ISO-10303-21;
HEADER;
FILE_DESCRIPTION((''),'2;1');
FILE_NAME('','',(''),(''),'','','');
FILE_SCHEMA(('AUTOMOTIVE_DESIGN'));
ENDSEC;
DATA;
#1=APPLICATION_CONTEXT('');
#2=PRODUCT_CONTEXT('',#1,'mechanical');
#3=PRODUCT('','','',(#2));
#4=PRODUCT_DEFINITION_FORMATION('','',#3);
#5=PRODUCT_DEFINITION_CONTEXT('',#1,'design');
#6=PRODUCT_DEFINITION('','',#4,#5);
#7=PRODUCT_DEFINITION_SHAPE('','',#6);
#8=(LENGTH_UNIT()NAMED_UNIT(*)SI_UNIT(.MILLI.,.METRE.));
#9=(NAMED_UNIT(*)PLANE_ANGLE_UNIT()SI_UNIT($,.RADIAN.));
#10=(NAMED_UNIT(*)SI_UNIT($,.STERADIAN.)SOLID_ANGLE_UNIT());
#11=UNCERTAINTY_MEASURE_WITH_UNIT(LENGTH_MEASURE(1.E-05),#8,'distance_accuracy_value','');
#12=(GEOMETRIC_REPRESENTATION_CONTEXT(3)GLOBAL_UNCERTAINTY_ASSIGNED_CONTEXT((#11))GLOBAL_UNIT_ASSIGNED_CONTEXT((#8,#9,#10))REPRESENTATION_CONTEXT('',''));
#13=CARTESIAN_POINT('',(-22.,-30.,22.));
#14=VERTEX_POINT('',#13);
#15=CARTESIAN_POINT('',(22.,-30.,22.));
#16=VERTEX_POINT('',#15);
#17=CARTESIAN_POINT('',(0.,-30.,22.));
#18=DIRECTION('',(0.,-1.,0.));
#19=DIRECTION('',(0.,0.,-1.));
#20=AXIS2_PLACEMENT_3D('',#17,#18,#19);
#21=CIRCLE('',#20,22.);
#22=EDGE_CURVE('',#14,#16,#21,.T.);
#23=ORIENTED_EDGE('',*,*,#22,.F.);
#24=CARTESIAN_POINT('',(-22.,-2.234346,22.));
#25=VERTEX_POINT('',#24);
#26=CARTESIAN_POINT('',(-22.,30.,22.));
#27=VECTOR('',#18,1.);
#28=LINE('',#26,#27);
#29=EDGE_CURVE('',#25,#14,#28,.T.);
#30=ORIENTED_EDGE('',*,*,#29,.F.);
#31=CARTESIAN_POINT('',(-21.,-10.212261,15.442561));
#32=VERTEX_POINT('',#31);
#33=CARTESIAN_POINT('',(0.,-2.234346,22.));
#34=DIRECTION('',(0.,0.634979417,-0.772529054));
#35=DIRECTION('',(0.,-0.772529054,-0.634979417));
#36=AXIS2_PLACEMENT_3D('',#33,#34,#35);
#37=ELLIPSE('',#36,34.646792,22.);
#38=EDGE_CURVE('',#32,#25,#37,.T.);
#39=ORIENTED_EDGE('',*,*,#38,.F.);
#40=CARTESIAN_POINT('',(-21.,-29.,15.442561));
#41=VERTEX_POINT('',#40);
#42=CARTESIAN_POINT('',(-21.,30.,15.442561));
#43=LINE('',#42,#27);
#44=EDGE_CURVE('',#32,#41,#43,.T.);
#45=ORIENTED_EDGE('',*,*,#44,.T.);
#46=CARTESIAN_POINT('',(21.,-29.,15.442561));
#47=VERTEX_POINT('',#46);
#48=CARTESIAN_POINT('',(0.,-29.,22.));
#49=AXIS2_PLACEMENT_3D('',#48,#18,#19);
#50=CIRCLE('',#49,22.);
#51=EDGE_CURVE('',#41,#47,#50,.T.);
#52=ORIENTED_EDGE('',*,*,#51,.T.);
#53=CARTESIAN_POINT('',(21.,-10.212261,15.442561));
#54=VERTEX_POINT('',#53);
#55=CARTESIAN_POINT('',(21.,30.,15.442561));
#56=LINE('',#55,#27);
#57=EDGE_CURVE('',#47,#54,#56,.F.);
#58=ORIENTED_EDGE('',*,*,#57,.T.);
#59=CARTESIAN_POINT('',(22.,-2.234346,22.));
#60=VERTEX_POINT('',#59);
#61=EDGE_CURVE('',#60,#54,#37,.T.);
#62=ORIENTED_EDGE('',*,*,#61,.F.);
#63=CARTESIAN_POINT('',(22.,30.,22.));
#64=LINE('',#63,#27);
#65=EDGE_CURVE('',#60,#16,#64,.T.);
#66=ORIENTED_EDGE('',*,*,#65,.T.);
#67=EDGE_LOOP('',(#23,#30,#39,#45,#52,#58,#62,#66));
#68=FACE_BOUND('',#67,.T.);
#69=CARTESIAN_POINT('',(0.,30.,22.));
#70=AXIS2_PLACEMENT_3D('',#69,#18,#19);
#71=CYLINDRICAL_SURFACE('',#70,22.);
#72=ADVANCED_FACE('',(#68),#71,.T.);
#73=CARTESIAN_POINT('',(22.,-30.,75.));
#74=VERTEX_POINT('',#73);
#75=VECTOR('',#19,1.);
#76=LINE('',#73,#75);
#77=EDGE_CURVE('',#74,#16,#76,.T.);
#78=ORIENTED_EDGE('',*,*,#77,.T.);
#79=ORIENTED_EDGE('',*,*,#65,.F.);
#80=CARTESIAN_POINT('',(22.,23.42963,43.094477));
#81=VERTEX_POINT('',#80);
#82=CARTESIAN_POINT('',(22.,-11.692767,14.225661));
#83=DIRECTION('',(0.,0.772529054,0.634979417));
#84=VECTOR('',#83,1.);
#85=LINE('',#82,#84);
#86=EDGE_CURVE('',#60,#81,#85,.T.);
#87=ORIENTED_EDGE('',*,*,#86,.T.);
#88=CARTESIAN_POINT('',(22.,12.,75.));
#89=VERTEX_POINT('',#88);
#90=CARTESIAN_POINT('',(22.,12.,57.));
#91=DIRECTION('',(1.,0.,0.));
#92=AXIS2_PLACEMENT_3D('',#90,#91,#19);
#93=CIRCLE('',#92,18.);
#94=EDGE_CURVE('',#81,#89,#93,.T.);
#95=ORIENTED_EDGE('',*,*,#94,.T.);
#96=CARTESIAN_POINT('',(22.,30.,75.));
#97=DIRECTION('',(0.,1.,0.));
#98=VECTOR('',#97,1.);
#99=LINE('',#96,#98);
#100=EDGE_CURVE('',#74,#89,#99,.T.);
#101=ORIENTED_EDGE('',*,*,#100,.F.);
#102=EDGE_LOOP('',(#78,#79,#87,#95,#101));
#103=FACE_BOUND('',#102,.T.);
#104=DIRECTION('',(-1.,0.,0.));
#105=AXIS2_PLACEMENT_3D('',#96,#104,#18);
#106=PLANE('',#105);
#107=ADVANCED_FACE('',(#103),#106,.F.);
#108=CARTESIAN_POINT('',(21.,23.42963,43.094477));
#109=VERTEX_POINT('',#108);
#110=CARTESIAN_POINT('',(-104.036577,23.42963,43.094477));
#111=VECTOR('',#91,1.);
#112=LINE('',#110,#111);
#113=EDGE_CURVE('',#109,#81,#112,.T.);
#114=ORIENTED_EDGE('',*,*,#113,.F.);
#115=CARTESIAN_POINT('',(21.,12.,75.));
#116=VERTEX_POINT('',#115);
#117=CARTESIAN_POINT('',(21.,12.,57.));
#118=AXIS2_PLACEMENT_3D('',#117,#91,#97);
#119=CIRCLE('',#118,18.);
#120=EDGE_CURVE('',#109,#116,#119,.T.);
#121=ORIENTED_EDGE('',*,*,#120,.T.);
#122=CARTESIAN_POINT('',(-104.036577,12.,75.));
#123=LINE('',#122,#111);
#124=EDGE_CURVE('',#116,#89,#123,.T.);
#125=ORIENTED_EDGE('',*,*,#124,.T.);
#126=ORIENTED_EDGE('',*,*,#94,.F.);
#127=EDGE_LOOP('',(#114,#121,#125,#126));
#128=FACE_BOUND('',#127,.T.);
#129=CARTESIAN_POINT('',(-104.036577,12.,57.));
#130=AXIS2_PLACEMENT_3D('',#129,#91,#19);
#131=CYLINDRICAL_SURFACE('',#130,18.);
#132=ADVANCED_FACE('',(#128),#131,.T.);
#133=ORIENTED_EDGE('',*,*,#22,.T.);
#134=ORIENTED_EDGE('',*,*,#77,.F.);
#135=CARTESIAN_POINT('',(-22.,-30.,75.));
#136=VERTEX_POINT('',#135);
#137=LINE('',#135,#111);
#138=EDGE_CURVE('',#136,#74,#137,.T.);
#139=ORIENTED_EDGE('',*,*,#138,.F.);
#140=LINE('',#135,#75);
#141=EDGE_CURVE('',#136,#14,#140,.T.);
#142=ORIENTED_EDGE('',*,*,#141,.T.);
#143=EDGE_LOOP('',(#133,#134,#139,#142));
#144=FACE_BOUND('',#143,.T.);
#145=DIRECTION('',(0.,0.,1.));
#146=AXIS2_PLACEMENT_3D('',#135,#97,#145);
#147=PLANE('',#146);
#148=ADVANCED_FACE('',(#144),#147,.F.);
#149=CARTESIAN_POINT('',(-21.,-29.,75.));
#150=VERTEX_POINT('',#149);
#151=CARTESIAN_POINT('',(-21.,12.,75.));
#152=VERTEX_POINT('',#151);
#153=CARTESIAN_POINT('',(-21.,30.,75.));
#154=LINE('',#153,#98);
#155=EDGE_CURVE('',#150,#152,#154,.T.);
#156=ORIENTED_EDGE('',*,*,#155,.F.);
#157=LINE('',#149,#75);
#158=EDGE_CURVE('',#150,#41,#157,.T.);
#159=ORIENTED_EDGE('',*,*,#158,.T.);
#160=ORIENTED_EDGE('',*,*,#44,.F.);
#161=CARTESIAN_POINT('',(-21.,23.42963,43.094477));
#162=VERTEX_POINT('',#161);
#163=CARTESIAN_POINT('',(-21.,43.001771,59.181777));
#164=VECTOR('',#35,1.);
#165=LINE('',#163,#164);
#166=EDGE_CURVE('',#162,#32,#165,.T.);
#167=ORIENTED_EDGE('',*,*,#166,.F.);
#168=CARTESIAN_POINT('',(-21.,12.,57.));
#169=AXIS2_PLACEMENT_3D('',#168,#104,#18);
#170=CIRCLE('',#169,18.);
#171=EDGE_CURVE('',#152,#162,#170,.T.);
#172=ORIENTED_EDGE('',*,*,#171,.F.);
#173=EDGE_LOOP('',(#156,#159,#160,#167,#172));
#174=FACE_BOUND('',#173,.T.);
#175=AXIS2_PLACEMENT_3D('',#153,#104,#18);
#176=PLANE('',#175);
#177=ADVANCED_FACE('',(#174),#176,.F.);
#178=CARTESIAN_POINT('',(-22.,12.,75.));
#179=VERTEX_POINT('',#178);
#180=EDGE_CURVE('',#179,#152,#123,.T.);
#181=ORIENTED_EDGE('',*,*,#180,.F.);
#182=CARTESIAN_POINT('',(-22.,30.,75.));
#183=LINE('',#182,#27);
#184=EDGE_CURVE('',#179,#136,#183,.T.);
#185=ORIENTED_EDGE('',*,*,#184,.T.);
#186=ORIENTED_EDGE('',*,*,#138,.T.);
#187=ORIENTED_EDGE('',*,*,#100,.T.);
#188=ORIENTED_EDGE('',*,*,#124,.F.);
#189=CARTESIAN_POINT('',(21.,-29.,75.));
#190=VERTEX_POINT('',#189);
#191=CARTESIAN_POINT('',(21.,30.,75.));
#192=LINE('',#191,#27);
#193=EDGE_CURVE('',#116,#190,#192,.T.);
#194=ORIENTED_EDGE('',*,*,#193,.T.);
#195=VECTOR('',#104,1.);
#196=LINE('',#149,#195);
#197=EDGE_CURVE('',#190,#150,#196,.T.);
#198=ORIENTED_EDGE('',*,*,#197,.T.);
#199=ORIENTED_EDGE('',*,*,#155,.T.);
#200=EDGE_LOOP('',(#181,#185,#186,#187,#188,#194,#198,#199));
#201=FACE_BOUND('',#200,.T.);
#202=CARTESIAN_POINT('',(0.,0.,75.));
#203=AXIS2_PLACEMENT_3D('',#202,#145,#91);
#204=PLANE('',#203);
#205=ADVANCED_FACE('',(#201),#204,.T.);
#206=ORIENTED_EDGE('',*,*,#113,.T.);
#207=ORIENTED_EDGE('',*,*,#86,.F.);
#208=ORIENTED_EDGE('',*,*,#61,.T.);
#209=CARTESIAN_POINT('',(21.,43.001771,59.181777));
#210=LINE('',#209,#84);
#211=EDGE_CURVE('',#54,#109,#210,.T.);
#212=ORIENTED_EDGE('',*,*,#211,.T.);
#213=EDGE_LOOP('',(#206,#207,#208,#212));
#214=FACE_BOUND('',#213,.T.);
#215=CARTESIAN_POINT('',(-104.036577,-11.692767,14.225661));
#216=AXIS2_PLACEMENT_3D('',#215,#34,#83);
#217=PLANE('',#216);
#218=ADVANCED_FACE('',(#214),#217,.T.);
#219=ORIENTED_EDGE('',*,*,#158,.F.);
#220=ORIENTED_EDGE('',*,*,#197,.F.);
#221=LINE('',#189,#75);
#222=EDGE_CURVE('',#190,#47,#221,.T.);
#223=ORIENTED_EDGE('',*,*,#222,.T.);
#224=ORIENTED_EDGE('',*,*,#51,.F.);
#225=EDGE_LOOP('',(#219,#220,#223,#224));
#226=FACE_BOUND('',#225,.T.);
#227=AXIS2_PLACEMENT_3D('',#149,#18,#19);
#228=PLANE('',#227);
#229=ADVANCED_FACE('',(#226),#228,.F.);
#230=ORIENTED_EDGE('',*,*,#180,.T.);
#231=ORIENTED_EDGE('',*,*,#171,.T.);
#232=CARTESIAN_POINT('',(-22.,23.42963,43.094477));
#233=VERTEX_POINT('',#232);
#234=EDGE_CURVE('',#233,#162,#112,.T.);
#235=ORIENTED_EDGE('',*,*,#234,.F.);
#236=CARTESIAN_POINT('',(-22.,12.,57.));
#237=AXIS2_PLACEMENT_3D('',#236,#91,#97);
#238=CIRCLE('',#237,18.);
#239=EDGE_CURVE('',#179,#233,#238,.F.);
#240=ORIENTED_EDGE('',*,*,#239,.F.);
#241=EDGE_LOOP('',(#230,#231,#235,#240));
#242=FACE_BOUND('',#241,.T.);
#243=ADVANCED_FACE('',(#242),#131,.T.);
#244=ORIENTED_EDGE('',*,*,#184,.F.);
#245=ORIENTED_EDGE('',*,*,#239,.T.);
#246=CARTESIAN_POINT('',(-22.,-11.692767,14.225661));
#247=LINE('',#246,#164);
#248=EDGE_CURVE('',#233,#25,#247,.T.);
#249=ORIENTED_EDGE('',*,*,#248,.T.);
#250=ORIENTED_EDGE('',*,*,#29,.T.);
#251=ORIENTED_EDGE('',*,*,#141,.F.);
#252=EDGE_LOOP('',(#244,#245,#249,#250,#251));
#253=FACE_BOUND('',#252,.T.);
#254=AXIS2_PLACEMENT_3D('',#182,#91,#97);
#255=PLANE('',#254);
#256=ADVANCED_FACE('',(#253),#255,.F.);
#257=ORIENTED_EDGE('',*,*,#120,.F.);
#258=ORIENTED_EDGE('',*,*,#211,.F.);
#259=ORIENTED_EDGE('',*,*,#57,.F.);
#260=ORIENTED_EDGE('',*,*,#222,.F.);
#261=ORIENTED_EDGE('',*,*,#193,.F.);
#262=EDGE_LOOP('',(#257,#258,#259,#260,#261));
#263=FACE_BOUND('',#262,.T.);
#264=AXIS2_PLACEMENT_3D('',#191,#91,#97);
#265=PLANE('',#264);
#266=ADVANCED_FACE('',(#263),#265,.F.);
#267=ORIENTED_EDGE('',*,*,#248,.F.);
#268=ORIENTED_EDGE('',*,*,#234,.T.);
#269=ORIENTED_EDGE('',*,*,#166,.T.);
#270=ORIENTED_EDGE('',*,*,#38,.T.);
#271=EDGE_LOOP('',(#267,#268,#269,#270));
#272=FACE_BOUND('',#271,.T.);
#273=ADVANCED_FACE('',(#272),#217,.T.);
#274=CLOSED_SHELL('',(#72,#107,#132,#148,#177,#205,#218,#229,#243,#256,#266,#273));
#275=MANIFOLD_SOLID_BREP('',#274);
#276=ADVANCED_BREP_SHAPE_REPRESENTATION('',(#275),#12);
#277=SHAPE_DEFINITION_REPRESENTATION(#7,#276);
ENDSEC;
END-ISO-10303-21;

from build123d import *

# Parameters (mm, degrees)
EXTRUDE_1_DEPTH     = 75
CUT_EXTRUDE_1_REACH = 93.984
CUT_EXTRUDE_2_DEPTH = 99.534258002


with BuildPart() as part:
    # 草图1 → 凸台-拉伸1 (new body)
    with BuildSketch(Plane.XY):
        Polygon((21, 30), (21, -29), (-21, -29), (-21, 30), (-22, 30), (-22, -30), (22, -30), (22, 30), align=None)
    extrude(amount=EXTRUDE_1_DEPTH)

    # 切除-拉伸1: up to this face of the body (flat: up to its plane)
    cut_extrude_1_end = Plane(part.part.faces().sort_by_distance((-22, 0, 37.5))[0])
    # 草图2 → 切除-拉伸1 (cut, up to the picked face)
    with BuildSketch(Plane(origin=(22, 0, 0), x_dir=(0, 0, -1), z_dir=(1, 0, 0)), mode=Mode.PRIVATE) as cut_extrude_1_sk1:
        with BuildLine():
            Line((-43.094477021, 23.429629507), (0, -29))
            Line((0, -29), (0, 30))
            Line((0, 30), (-57, 30))
            ThreePointArc((-57, 30), (-49.310179818, 28.274724746), (-43.094477021, 23.429629507))
        make_face()
    cut_extrude_1_tool1 = split(extrude(cut_extrude_1_sk1.sketch, amount=-CUT_EXTRUDE_1_REACH, mode=Mode.PRIVATE), bisect_by=cut_extrude_1_end, keep=Keep.BOTH, mode=Mode.PRIVATE)
    # 草图2 → 切除-拉伸1 (cut, up to the picked face)
    with BuildSketch(Plane(origin=(22, 0, 0), x_dir=(0, 0, -1), z_dir=(1, 0, 0)), mode=Mode.PRIVATE) as cut_extrude_1_sk2:
        with BuildLine():
            ThreePointArc((-75, 12), (-69.727922061, 24.727922061), (-57, 30))
            Line((-57, 30), (-75, 30))
            Line((-75, 30), (-75, 12))
        make_face()
    cut_extrude_1_tool2 = split(extrude(cut_extrude_1_sk2.sketch, amount=-CUT_EXTRUDE_1_REACH, mode=Mode.PRIVATE), bisect_by=cut_extrude_1_end, keep=Keep.BOTH, mode=Mode.PRIVATE)
    add(cut_extrude_1_tool1.solids().sort_by(Axis((22, 10.461352, 16.395563), (-1, 0, 0)))[0], mode=Mode.SUBTRACT)
    add(cut_extrude_1_tool2.solids().sort_by(Axis((22, 25.979377, 70.979377), (-1, 0, 0)))[0], mode=Mode.SUBTRACT)

    # 草图3 → 切除-拉伸2 (cut, through all)
    with BuildSketch(Plane.XZ.offset(30)):
        with BuildLine():
            ThreePointArc((22, 22), (15.556349186, 6.443650814), (0, 0))
            Line((0, 0), (22, 0))
            Line((22, 0), (22, 22))
        make_face()
        with BuildLine():
            ThreePointArc((0, 0), (-15.556349186, 6.443650814), (-22, 22))
            Line((-22, 22), (-22, 0))
            Line((-22, 0), (0, 0))
        make_face()
    extrude(amount=-CUT_EXTRUDE_2_DEPTH, mode=Mode.SUBTRACT)


solid = part.part
